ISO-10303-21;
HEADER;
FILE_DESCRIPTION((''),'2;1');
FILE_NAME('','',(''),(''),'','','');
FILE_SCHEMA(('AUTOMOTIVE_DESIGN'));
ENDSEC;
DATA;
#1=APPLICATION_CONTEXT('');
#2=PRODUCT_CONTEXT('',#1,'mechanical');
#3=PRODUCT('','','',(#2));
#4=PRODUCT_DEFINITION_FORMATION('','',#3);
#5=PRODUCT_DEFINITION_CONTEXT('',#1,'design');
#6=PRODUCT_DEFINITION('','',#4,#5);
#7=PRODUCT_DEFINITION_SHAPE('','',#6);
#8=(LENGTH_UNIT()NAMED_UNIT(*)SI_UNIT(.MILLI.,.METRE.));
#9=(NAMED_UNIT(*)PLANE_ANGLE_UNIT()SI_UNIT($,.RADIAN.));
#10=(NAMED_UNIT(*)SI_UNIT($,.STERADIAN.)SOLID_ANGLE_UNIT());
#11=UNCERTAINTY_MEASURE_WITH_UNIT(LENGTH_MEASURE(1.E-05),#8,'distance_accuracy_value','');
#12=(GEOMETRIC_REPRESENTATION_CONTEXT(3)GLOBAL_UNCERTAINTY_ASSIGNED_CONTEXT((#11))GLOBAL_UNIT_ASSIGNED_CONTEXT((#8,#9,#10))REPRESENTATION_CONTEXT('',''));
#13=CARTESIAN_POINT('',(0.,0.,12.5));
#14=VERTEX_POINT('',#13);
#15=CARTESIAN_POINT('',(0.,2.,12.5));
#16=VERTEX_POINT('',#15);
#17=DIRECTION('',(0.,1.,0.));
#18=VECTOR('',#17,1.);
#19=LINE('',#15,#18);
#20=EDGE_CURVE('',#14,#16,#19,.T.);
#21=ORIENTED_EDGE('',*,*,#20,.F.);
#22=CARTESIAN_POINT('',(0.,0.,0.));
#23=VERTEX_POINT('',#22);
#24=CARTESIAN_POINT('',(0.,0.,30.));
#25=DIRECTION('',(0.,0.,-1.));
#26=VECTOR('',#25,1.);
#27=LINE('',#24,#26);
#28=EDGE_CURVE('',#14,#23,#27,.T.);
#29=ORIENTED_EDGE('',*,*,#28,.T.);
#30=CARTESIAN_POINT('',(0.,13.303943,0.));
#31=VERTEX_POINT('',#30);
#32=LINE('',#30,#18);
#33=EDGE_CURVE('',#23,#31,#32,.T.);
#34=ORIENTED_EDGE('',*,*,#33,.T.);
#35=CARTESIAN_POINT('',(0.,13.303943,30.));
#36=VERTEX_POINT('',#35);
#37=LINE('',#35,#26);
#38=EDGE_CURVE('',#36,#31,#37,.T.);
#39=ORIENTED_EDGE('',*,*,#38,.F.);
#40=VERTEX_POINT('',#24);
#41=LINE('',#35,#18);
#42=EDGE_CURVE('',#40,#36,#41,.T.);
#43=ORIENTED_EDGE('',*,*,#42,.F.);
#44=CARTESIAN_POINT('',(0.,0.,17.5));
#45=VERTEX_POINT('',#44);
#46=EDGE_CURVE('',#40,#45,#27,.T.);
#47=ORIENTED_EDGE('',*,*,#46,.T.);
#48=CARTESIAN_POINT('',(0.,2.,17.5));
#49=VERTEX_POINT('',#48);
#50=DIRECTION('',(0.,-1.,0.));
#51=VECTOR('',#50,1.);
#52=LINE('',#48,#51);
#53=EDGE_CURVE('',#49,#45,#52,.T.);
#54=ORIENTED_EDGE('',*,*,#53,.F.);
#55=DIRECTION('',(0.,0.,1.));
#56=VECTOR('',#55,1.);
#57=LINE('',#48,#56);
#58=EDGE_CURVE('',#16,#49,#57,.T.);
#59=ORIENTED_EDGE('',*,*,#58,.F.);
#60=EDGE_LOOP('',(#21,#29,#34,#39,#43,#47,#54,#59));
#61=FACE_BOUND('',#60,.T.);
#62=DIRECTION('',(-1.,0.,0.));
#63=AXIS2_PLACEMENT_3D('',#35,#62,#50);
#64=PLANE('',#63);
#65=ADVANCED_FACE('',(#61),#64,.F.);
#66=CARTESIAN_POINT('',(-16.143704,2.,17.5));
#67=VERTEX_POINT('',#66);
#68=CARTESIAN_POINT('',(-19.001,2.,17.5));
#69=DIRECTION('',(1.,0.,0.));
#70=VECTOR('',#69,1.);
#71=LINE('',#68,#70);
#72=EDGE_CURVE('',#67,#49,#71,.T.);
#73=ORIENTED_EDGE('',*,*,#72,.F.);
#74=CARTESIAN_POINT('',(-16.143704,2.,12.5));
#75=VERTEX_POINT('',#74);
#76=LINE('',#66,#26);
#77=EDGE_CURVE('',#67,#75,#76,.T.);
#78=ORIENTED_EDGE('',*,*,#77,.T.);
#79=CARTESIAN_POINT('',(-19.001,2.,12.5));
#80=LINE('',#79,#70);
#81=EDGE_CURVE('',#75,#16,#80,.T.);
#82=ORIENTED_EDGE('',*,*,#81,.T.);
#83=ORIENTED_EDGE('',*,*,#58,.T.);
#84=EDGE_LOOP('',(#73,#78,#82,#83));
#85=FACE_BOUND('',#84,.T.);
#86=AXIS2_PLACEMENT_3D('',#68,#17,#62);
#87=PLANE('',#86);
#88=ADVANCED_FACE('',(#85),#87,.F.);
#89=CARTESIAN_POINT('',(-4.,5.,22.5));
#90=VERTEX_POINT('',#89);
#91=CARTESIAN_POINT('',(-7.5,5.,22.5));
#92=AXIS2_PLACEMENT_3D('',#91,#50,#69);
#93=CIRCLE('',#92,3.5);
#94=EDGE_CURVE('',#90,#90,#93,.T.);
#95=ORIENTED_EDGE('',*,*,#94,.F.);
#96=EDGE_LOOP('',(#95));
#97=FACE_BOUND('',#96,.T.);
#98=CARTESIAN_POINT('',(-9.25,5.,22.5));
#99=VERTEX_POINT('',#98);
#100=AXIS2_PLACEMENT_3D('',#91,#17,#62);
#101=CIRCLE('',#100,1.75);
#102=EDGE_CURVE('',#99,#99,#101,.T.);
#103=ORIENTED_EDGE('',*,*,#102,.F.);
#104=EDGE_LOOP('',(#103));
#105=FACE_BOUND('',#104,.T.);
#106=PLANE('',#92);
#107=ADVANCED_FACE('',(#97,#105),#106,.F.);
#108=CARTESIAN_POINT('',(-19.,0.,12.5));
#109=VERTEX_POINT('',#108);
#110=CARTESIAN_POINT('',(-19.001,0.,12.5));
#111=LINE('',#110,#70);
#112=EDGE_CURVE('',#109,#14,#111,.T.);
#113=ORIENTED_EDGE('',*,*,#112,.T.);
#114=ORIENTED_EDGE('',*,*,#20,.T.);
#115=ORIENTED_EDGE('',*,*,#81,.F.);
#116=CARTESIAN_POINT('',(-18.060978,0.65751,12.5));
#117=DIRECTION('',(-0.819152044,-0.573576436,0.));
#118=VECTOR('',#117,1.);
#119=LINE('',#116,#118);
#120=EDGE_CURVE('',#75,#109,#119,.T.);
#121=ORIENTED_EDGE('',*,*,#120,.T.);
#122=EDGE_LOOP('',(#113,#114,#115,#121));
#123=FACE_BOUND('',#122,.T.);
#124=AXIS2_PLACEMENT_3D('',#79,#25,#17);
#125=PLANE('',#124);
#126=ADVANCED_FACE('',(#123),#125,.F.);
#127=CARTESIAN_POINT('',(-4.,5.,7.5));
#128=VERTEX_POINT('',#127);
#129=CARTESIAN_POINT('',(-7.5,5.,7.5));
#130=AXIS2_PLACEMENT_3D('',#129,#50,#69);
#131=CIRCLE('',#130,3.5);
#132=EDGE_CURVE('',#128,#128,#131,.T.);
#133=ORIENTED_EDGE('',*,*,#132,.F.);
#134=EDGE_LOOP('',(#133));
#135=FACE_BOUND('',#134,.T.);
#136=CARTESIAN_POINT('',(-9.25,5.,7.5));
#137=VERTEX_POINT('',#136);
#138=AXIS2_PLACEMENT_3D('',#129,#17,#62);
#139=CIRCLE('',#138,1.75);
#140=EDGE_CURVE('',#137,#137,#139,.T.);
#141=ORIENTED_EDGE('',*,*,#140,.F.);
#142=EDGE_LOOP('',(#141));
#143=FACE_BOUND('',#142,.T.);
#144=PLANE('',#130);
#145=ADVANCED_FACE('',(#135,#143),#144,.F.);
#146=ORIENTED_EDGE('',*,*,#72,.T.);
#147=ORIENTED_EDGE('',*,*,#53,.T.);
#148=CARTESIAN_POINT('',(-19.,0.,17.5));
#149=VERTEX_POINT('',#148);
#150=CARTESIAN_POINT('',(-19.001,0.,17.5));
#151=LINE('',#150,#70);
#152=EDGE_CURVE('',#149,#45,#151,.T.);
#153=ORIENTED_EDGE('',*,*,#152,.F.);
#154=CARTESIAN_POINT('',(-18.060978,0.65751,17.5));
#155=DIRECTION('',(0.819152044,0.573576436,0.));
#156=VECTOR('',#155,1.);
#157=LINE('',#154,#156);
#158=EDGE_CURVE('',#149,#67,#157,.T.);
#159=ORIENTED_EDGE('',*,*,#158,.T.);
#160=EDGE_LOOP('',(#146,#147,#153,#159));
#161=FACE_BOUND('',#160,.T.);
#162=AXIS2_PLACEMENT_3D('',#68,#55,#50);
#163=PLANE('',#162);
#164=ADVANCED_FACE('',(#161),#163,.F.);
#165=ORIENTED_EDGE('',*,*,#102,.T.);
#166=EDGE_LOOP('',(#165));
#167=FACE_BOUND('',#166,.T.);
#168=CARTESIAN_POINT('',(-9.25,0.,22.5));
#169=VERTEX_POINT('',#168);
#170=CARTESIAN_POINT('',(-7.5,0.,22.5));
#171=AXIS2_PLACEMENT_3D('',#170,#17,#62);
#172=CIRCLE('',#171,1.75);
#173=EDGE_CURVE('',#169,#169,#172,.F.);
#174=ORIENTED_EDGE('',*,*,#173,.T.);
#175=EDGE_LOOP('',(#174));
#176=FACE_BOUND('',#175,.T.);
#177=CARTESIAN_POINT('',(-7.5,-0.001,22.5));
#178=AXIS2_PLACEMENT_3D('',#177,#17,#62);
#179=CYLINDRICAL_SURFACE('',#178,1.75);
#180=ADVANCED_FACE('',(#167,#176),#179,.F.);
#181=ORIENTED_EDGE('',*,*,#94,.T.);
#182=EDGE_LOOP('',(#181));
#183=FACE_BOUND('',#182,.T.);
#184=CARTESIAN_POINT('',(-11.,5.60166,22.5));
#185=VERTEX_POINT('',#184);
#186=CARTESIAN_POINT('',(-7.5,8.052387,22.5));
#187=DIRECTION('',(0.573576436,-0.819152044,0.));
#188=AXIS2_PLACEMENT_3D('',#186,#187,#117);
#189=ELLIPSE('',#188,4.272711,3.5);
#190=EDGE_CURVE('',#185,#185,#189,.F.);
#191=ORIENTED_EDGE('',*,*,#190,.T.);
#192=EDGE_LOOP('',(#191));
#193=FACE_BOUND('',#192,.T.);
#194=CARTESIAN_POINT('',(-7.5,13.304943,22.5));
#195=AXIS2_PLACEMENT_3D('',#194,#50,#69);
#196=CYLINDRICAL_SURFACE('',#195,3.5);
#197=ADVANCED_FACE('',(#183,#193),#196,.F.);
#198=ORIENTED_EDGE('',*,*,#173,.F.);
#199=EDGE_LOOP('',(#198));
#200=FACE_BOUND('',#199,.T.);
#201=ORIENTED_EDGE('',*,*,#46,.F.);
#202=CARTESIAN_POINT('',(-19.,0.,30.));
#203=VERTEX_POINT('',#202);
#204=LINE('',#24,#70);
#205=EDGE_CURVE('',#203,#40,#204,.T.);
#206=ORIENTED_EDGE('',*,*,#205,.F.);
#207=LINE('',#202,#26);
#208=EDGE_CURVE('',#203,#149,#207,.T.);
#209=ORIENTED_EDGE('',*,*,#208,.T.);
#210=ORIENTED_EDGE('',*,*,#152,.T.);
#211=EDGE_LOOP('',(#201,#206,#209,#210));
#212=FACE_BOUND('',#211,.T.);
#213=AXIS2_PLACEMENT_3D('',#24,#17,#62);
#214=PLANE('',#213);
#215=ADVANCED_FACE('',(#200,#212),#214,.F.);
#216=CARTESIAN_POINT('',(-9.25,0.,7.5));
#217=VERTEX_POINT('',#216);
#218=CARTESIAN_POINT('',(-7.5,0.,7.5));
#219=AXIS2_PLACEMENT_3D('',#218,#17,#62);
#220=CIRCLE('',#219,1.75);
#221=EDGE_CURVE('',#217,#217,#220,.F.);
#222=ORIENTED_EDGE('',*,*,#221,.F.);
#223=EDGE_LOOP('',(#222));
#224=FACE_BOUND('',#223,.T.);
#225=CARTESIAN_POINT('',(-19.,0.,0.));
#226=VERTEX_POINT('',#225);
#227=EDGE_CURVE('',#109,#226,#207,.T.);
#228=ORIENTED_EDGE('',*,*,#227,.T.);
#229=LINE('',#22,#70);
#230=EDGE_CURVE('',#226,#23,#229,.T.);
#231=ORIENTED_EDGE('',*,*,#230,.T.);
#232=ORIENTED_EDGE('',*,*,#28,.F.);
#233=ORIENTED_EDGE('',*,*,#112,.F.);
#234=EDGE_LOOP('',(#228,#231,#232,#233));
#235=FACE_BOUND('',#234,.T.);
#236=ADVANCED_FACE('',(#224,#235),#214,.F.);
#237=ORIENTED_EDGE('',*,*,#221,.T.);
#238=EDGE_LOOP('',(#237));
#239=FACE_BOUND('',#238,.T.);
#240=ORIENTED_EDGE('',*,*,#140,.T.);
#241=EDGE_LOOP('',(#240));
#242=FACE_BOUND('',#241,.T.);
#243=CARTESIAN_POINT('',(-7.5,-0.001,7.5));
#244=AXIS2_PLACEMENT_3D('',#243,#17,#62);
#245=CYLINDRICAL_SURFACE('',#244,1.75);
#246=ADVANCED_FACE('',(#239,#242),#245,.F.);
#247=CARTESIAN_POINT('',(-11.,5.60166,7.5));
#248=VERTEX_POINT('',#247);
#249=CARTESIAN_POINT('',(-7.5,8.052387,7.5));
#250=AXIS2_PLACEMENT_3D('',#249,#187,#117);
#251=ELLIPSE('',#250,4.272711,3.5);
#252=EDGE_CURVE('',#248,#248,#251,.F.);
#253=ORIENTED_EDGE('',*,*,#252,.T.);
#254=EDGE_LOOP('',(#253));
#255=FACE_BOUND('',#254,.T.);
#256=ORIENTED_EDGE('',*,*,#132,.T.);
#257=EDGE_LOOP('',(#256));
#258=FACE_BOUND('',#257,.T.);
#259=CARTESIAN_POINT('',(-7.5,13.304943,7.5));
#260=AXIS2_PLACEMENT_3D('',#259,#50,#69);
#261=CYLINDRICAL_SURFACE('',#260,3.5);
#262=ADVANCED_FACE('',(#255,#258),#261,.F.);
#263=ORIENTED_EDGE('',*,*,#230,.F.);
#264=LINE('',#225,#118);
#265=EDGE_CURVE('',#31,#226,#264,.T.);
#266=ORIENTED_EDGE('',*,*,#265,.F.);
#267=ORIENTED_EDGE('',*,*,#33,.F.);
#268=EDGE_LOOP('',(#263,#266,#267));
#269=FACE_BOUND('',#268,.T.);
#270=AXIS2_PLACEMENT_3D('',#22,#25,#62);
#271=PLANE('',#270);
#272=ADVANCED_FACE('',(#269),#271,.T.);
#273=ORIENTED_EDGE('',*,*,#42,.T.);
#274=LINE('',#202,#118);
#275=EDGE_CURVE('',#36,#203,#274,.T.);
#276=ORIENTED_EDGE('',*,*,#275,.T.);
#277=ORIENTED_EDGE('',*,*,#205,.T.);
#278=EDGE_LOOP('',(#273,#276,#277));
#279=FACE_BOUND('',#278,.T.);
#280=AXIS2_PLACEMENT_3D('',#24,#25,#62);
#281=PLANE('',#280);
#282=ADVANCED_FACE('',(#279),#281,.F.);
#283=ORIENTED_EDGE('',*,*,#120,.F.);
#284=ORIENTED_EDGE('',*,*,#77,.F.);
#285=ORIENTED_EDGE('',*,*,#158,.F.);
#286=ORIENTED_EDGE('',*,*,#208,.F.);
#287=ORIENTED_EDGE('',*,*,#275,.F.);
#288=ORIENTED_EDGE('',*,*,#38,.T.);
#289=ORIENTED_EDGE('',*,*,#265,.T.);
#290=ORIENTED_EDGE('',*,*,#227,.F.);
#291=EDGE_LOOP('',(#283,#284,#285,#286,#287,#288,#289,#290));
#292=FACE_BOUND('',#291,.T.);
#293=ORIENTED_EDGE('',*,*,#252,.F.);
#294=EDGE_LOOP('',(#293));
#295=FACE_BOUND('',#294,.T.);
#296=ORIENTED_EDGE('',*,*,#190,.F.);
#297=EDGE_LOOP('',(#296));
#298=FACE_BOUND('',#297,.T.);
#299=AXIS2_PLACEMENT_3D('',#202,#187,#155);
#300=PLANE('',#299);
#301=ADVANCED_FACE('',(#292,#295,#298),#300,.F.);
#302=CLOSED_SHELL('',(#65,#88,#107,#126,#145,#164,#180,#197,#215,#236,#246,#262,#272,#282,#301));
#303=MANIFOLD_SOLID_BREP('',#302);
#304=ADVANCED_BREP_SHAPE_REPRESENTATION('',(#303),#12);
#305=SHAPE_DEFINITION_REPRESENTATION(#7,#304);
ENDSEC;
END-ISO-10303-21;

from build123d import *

# Parameters (mm, degrees)
BOSS_EXTRU_1_DEPTH      = 30
ENL_V_MAT_EXTRU_1_REACH = 38.469
ESQUISSE2_R             = 3.5
ENL_V_MAT_EXTRU_2_REACH = 38.469
ESQUISSE3_R             = 1.75
ENL_V_MAT_EXTRU_3_REACH = 39.921
ESQUISSE4_W             = 5
ESQUISSE4_H             = 2


with BuildPart() as part:
    # Esquisse1 → Boss.-Extru.1 (new body)
    with BuildSketch(Plane.XY):
        Polygon((0, 0), (-19, 0), (0, 13.303943226), align=None)
    extrude(amount=BOSS_EXTRU_1_DEPTH)

    # Enlèv. mat.-Extru.1: up to this plane
    enl_v_mat_extru_1_end = Plane(origin=(-19, 0, 30), z_dir=(0.5735764363510416, -0.8191520442889949, 0))
    # Esquisse2 → Enlèv. mat.-Extru.1 (cut, up to the surface)
    with BuildSketch(Plane(origin=(0, 5, 0), x_dir=(-1, 0, 0), z_dir=(0, -1, 0)), mode=Mode.PRIVATE) as enl_v_mat_extru_1_sk1:
        with Locations(Location((7.5, -7.5, 0), (0, 0, 180))):
            Circle(ESQUISSE2_R)
    enl_v_mat_extru_1_tool1 = split(extrude(enl_v_mat_extru_1_sk1.sketch, amount=-ENL_V_MAT_EXTRU_1_REACH, mode=Mode.PRIVATE), bisect_by=enl_v_mat_extru_1_end, keep=Keep.BOTH, mode=Mode.PRIVATE)
    add(enl_v_mat_extru_1_tool1.solids().sort_by_distance((-7.5, 5, 7.5))[0], mode=Mode.SUBTRACT)
    # Esquisse2 → Enlèv. mat.-Extru.1 (cut, up to the surface)
    with BuildSketch(Plane(origin=(0, 5, 0), x_dir=(-1, 0, 0), z_dir=(0, -1, 0)), mode=Mode.PRIVATE) as enl_v_mat_extru_1_sk2:
        with Locations(Location((7.5, -22.5, 0), (0, 0, 180))):
            Circle(ESQUISSE2_R)
    enl_v_mat_extru_1_tool2 = split(extrude(enl_v_mat_extru_1_sk2.sketch, amount=-ENL_V_MAT_EXTRU_1_REACH, mode=Mode.PRIVATE), bisect_by=enl_v_mat_extru_1_end, keep=Keep.BOTH, mode=Mode.PRIVATE)
    add(enl_v_mat_extru_1_tool2.solids().sort_by_distance((-7.5, 5, 22.5))[0], mode=Mode.SUBTRACT)

    # Esquisse3 → Enlèv. mat.-Extru.2 (cut, up to next)
    with BuildSketch(Plane(origin=(0, 5, 0), x_dir=(1, 0, 0), z_dir=(0, 1, 0)), mode=Mode.PRIVATE) as enl_v_mat_extru_2_sk1:
        with Locations(Location((-7.5, -22.5, 0), (0, 0, 180))):
            Circle(ESQUISSE3_R)
    enl_v_mat_extru_2_tool1 = extrude(enl_v_mat_extru_2_sk1.sketch, amount=-ENL_V_MAT_EXTRU_2_REACH, mode=Mode.PRIVATE) & part.part
    # Esquisse3 → Enlèv. mat.-Extru.2 (cut, up to next)
    with BuildSketch(Plane(origin=(0, 5, 0), x_dir=(1, 0, 0), z_dir=(0, 1, 0)), mode=Mode.PRIVATE) as enl_v_mat_extru_2_sk2:
        with Locations(Location((-7.5, -7.5, 0), (0, 0, 180))):
            Circle(ESQUISSE3_R)
    enl_v_mat_extru_2_tool2 = extrude(enl_v_mat_extru_2_sk2.sketch, amount=-ENL_V_MAT_EXTRU_2_REACH, mode=Mode.PRIVATE) & part.part
    add(enl_v_mat_extru_2_tool1.solids().sort_by_distance((-7.5, 5, 22.5))[0], mode=Mode.SUBTRACT)
    add(enl_v_mat_extru_2_tool2.solids().sort_by_distance((-7.5, 5, 7.5))[0], mode=Mode.SUBTRACT)

    # Enlèv. mat.-Extru.3: up to this plane
    enl_v_mat_extru_3_end = Plane(origin=(-19, 0, 30), z_dir=(0.5735764363510416, -0.8191520442889949, 0))
    # Esquisse4 → Enlèv. mat.-Extru.3 (cut, up to the surface)
    with BuildSketch(Plane(origin=(0, 0, 0), x_dir=(0, 0, -1), z_dir=(1, 0, 0)), mode=Mode.PRIVATE) as enl_v_mat_extru_3_sk1:
        with Locations((-15, 1)):
            Rectangle(ESQUISSE4_W, ESQUISSE4_H)
    enl_v_mat_extru_3_tool1 = split(extrude(enl_v_mat_extru_3_sk1.sketch, amount=-ENL_V_MAT_EXTRU_3_REACH, mode=Mode.PRIVATE), bisect_by=enl_v_mat_extru_3_end, keep=Keep.BOTH, mode=Mode.PRIVATE)
    add(enl_v_mat_extru_3_tool1.solids().sort_by_distance((0, 1, 15))[0], mode=Mode.SUBTRACT)


solid = part.part
